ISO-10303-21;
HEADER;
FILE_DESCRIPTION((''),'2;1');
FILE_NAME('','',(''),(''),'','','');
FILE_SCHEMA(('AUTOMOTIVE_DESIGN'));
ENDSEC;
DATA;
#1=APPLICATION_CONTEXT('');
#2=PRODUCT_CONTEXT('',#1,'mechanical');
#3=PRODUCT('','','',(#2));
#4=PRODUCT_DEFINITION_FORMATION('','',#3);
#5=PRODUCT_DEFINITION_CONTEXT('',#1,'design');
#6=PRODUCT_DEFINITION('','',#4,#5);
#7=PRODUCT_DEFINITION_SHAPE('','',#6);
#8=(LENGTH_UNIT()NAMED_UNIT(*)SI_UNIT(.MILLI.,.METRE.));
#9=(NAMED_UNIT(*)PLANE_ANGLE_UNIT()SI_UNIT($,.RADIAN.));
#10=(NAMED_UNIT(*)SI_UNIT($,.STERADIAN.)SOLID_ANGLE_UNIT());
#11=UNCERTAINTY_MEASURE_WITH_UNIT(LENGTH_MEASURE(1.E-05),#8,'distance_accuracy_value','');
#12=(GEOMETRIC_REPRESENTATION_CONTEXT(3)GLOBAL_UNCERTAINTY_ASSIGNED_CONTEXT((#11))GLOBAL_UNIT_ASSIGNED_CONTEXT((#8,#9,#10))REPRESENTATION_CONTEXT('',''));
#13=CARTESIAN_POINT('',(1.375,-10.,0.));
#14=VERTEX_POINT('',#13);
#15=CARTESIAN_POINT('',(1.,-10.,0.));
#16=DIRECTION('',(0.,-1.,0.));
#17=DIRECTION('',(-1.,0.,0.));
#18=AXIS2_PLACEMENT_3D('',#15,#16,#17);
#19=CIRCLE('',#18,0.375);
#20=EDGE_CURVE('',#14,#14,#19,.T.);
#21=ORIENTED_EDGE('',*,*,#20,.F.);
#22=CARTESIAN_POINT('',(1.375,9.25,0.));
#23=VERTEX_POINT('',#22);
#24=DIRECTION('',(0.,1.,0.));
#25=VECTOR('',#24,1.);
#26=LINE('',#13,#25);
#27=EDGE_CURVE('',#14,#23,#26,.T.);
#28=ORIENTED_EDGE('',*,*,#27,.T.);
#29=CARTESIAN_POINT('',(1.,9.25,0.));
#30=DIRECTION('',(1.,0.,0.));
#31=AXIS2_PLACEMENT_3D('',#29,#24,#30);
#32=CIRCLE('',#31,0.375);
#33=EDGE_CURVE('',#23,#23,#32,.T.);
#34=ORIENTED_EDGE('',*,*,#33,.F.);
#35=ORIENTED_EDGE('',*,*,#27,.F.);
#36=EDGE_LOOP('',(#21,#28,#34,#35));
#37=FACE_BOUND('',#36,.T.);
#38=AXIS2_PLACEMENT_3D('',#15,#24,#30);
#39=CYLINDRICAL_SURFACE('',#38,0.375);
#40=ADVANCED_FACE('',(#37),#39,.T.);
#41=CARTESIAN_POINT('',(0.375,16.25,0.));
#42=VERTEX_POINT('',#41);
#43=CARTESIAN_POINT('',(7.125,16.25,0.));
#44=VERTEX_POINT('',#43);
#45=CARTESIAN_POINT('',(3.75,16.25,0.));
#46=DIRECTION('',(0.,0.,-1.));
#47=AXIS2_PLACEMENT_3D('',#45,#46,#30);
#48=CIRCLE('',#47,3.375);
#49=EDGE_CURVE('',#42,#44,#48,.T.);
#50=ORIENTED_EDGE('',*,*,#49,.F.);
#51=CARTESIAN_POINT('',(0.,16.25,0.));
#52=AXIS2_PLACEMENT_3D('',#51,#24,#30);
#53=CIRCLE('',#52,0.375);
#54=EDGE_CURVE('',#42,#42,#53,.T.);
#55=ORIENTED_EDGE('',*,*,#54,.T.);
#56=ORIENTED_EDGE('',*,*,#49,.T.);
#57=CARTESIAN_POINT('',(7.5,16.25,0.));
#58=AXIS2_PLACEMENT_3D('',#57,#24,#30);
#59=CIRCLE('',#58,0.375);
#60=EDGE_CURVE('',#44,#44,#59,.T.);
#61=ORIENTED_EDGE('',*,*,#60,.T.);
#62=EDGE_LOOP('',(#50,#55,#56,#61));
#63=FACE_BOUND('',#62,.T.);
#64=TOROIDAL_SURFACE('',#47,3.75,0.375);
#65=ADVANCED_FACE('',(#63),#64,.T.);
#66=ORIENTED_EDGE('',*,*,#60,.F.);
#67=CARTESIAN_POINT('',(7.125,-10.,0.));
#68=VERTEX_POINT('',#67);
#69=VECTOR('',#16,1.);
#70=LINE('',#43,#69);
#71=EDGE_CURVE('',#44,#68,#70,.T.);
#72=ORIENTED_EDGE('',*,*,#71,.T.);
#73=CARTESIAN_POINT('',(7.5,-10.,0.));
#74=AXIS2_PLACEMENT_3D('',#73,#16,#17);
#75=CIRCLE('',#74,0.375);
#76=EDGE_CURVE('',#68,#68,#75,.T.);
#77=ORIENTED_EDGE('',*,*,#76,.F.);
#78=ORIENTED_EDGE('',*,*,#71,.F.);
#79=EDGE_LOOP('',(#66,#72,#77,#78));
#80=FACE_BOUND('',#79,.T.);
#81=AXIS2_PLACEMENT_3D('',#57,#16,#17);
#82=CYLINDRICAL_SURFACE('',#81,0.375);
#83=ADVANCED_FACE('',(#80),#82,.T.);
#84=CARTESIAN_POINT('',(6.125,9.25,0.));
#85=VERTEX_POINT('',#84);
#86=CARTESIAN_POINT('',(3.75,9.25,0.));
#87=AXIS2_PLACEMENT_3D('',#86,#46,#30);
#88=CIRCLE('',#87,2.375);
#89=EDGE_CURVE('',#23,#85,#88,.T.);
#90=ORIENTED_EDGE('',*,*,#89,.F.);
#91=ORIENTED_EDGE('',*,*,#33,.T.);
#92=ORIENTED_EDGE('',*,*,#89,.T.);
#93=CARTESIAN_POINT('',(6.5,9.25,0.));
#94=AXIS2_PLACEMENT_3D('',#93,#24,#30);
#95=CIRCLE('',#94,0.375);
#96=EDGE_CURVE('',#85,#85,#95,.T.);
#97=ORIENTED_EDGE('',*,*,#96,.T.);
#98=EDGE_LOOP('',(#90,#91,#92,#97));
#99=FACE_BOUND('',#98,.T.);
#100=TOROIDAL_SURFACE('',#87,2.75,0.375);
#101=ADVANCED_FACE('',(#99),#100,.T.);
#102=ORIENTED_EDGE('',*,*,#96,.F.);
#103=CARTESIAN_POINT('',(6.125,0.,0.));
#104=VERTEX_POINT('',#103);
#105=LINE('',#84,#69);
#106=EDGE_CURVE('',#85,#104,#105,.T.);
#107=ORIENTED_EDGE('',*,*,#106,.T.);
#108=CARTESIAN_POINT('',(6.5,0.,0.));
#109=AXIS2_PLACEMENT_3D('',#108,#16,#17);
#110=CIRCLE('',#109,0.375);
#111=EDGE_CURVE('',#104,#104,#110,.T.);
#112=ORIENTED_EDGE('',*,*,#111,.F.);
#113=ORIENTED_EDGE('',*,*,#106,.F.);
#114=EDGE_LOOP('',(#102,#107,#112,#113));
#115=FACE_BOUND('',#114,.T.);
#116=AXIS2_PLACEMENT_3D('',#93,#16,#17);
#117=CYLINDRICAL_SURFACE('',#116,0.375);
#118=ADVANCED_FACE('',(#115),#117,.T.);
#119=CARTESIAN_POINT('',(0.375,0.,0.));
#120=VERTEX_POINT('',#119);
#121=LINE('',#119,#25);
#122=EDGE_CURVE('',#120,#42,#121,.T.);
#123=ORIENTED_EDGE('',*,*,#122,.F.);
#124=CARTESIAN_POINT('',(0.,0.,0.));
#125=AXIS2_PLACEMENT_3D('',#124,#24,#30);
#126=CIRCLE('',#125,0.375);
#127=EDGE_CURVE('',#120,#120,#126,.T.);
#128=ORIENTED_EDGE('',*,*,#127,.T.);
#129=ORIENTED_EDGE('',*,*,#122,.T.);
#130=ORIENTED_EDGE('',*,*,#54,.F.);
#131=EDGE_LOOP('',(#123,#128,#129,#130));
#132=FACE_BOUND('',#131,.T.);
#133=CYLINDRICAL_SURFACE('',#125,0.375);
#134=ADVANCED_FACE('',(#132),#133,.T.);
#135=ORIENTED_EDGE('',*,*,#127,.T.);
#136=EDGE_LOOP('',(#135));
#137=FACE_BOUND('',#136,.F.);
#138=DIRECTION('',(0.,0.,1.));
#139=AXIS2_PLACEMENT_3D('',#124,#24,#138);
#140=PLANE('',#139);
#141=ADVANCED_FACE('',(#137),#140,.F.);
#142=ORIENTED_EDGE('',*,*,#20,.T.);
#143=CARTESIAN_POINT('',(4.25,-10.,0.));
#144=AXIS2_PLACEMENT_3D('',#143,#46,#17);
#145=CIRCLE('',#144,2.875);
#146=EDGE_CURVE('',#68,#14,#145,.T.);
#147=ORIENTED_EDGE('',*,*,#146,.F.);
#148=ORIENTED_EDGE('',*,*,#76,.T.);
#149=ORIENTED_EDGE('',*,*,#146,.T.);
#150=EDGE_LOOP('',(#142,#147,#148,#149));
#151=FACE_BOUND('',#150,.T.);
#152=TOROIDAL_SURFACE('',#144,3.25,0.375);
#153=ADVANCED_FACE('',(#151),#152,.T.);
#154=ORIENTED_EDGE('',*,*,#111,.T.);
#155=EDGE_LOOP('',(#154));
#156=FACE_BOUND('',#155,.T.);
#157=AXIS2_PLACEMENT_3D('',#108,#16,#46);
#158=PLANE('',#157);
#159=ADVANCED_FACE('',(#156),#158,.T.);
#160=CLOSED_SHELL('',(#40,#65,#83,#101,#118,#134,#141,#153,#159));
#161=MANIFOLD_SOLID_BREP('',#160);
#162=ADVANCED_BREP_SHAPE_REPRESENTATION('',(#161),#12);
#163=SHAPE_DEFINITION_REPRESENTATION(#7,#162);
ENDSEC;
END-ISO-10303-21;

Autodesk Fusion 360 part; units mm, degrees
sketch "Sweep Path" plane through (0, 0, 0) normal (0, 0, 1) x (1, 0, 0)
  line L0 (0, 0) -> (0, 16.25)
  line L1 (0, 16.25) -> (7.5, 16.25) construction
  line L2 (7.5, 16.25) -> (7.5, -10)
  line L3 (7.5, -10) -> (1, -10) construction
  line L4 (1, -10) -> (1, 9.25)
  line L5 (1, 9.25) -> (6.5, 9.25) construction
  line L6 (6.5, 9.25) -> (6.5, 0)
  arc A0 (6.5, 9.25) -> (1, 9.25) centre (3.75, 9.25) ccw
  arc A1 (7.5, 16.25) -> (0, 16.25) centre (3.75, 16.25) ccw
  arc A2 (1, -10) -> (7.5, -10) centre (4.25, -10) ccw
  dimension "d1" = 16.25
  dimension "d2" = 7.5
  dimension "d3" = 26.25
  dimension "d4" = 6.5
  dimension "d5" = 19.25
  dimension "d6" = 5.5
  dimension "d7" = 9.25
sketch "Sweep Profile" plane through (0, 0, 0) normal (0, 1, 0) x (1, 0, 0)
  circle A0 centre (0, 0) radius 0.375
  dimension "d8" = 0.75
sweep "Sweep1" add profiles "Sweep Profile" path "Sweep Path" along L0 A1 L2 A2 L4 A0 L6 section 1
